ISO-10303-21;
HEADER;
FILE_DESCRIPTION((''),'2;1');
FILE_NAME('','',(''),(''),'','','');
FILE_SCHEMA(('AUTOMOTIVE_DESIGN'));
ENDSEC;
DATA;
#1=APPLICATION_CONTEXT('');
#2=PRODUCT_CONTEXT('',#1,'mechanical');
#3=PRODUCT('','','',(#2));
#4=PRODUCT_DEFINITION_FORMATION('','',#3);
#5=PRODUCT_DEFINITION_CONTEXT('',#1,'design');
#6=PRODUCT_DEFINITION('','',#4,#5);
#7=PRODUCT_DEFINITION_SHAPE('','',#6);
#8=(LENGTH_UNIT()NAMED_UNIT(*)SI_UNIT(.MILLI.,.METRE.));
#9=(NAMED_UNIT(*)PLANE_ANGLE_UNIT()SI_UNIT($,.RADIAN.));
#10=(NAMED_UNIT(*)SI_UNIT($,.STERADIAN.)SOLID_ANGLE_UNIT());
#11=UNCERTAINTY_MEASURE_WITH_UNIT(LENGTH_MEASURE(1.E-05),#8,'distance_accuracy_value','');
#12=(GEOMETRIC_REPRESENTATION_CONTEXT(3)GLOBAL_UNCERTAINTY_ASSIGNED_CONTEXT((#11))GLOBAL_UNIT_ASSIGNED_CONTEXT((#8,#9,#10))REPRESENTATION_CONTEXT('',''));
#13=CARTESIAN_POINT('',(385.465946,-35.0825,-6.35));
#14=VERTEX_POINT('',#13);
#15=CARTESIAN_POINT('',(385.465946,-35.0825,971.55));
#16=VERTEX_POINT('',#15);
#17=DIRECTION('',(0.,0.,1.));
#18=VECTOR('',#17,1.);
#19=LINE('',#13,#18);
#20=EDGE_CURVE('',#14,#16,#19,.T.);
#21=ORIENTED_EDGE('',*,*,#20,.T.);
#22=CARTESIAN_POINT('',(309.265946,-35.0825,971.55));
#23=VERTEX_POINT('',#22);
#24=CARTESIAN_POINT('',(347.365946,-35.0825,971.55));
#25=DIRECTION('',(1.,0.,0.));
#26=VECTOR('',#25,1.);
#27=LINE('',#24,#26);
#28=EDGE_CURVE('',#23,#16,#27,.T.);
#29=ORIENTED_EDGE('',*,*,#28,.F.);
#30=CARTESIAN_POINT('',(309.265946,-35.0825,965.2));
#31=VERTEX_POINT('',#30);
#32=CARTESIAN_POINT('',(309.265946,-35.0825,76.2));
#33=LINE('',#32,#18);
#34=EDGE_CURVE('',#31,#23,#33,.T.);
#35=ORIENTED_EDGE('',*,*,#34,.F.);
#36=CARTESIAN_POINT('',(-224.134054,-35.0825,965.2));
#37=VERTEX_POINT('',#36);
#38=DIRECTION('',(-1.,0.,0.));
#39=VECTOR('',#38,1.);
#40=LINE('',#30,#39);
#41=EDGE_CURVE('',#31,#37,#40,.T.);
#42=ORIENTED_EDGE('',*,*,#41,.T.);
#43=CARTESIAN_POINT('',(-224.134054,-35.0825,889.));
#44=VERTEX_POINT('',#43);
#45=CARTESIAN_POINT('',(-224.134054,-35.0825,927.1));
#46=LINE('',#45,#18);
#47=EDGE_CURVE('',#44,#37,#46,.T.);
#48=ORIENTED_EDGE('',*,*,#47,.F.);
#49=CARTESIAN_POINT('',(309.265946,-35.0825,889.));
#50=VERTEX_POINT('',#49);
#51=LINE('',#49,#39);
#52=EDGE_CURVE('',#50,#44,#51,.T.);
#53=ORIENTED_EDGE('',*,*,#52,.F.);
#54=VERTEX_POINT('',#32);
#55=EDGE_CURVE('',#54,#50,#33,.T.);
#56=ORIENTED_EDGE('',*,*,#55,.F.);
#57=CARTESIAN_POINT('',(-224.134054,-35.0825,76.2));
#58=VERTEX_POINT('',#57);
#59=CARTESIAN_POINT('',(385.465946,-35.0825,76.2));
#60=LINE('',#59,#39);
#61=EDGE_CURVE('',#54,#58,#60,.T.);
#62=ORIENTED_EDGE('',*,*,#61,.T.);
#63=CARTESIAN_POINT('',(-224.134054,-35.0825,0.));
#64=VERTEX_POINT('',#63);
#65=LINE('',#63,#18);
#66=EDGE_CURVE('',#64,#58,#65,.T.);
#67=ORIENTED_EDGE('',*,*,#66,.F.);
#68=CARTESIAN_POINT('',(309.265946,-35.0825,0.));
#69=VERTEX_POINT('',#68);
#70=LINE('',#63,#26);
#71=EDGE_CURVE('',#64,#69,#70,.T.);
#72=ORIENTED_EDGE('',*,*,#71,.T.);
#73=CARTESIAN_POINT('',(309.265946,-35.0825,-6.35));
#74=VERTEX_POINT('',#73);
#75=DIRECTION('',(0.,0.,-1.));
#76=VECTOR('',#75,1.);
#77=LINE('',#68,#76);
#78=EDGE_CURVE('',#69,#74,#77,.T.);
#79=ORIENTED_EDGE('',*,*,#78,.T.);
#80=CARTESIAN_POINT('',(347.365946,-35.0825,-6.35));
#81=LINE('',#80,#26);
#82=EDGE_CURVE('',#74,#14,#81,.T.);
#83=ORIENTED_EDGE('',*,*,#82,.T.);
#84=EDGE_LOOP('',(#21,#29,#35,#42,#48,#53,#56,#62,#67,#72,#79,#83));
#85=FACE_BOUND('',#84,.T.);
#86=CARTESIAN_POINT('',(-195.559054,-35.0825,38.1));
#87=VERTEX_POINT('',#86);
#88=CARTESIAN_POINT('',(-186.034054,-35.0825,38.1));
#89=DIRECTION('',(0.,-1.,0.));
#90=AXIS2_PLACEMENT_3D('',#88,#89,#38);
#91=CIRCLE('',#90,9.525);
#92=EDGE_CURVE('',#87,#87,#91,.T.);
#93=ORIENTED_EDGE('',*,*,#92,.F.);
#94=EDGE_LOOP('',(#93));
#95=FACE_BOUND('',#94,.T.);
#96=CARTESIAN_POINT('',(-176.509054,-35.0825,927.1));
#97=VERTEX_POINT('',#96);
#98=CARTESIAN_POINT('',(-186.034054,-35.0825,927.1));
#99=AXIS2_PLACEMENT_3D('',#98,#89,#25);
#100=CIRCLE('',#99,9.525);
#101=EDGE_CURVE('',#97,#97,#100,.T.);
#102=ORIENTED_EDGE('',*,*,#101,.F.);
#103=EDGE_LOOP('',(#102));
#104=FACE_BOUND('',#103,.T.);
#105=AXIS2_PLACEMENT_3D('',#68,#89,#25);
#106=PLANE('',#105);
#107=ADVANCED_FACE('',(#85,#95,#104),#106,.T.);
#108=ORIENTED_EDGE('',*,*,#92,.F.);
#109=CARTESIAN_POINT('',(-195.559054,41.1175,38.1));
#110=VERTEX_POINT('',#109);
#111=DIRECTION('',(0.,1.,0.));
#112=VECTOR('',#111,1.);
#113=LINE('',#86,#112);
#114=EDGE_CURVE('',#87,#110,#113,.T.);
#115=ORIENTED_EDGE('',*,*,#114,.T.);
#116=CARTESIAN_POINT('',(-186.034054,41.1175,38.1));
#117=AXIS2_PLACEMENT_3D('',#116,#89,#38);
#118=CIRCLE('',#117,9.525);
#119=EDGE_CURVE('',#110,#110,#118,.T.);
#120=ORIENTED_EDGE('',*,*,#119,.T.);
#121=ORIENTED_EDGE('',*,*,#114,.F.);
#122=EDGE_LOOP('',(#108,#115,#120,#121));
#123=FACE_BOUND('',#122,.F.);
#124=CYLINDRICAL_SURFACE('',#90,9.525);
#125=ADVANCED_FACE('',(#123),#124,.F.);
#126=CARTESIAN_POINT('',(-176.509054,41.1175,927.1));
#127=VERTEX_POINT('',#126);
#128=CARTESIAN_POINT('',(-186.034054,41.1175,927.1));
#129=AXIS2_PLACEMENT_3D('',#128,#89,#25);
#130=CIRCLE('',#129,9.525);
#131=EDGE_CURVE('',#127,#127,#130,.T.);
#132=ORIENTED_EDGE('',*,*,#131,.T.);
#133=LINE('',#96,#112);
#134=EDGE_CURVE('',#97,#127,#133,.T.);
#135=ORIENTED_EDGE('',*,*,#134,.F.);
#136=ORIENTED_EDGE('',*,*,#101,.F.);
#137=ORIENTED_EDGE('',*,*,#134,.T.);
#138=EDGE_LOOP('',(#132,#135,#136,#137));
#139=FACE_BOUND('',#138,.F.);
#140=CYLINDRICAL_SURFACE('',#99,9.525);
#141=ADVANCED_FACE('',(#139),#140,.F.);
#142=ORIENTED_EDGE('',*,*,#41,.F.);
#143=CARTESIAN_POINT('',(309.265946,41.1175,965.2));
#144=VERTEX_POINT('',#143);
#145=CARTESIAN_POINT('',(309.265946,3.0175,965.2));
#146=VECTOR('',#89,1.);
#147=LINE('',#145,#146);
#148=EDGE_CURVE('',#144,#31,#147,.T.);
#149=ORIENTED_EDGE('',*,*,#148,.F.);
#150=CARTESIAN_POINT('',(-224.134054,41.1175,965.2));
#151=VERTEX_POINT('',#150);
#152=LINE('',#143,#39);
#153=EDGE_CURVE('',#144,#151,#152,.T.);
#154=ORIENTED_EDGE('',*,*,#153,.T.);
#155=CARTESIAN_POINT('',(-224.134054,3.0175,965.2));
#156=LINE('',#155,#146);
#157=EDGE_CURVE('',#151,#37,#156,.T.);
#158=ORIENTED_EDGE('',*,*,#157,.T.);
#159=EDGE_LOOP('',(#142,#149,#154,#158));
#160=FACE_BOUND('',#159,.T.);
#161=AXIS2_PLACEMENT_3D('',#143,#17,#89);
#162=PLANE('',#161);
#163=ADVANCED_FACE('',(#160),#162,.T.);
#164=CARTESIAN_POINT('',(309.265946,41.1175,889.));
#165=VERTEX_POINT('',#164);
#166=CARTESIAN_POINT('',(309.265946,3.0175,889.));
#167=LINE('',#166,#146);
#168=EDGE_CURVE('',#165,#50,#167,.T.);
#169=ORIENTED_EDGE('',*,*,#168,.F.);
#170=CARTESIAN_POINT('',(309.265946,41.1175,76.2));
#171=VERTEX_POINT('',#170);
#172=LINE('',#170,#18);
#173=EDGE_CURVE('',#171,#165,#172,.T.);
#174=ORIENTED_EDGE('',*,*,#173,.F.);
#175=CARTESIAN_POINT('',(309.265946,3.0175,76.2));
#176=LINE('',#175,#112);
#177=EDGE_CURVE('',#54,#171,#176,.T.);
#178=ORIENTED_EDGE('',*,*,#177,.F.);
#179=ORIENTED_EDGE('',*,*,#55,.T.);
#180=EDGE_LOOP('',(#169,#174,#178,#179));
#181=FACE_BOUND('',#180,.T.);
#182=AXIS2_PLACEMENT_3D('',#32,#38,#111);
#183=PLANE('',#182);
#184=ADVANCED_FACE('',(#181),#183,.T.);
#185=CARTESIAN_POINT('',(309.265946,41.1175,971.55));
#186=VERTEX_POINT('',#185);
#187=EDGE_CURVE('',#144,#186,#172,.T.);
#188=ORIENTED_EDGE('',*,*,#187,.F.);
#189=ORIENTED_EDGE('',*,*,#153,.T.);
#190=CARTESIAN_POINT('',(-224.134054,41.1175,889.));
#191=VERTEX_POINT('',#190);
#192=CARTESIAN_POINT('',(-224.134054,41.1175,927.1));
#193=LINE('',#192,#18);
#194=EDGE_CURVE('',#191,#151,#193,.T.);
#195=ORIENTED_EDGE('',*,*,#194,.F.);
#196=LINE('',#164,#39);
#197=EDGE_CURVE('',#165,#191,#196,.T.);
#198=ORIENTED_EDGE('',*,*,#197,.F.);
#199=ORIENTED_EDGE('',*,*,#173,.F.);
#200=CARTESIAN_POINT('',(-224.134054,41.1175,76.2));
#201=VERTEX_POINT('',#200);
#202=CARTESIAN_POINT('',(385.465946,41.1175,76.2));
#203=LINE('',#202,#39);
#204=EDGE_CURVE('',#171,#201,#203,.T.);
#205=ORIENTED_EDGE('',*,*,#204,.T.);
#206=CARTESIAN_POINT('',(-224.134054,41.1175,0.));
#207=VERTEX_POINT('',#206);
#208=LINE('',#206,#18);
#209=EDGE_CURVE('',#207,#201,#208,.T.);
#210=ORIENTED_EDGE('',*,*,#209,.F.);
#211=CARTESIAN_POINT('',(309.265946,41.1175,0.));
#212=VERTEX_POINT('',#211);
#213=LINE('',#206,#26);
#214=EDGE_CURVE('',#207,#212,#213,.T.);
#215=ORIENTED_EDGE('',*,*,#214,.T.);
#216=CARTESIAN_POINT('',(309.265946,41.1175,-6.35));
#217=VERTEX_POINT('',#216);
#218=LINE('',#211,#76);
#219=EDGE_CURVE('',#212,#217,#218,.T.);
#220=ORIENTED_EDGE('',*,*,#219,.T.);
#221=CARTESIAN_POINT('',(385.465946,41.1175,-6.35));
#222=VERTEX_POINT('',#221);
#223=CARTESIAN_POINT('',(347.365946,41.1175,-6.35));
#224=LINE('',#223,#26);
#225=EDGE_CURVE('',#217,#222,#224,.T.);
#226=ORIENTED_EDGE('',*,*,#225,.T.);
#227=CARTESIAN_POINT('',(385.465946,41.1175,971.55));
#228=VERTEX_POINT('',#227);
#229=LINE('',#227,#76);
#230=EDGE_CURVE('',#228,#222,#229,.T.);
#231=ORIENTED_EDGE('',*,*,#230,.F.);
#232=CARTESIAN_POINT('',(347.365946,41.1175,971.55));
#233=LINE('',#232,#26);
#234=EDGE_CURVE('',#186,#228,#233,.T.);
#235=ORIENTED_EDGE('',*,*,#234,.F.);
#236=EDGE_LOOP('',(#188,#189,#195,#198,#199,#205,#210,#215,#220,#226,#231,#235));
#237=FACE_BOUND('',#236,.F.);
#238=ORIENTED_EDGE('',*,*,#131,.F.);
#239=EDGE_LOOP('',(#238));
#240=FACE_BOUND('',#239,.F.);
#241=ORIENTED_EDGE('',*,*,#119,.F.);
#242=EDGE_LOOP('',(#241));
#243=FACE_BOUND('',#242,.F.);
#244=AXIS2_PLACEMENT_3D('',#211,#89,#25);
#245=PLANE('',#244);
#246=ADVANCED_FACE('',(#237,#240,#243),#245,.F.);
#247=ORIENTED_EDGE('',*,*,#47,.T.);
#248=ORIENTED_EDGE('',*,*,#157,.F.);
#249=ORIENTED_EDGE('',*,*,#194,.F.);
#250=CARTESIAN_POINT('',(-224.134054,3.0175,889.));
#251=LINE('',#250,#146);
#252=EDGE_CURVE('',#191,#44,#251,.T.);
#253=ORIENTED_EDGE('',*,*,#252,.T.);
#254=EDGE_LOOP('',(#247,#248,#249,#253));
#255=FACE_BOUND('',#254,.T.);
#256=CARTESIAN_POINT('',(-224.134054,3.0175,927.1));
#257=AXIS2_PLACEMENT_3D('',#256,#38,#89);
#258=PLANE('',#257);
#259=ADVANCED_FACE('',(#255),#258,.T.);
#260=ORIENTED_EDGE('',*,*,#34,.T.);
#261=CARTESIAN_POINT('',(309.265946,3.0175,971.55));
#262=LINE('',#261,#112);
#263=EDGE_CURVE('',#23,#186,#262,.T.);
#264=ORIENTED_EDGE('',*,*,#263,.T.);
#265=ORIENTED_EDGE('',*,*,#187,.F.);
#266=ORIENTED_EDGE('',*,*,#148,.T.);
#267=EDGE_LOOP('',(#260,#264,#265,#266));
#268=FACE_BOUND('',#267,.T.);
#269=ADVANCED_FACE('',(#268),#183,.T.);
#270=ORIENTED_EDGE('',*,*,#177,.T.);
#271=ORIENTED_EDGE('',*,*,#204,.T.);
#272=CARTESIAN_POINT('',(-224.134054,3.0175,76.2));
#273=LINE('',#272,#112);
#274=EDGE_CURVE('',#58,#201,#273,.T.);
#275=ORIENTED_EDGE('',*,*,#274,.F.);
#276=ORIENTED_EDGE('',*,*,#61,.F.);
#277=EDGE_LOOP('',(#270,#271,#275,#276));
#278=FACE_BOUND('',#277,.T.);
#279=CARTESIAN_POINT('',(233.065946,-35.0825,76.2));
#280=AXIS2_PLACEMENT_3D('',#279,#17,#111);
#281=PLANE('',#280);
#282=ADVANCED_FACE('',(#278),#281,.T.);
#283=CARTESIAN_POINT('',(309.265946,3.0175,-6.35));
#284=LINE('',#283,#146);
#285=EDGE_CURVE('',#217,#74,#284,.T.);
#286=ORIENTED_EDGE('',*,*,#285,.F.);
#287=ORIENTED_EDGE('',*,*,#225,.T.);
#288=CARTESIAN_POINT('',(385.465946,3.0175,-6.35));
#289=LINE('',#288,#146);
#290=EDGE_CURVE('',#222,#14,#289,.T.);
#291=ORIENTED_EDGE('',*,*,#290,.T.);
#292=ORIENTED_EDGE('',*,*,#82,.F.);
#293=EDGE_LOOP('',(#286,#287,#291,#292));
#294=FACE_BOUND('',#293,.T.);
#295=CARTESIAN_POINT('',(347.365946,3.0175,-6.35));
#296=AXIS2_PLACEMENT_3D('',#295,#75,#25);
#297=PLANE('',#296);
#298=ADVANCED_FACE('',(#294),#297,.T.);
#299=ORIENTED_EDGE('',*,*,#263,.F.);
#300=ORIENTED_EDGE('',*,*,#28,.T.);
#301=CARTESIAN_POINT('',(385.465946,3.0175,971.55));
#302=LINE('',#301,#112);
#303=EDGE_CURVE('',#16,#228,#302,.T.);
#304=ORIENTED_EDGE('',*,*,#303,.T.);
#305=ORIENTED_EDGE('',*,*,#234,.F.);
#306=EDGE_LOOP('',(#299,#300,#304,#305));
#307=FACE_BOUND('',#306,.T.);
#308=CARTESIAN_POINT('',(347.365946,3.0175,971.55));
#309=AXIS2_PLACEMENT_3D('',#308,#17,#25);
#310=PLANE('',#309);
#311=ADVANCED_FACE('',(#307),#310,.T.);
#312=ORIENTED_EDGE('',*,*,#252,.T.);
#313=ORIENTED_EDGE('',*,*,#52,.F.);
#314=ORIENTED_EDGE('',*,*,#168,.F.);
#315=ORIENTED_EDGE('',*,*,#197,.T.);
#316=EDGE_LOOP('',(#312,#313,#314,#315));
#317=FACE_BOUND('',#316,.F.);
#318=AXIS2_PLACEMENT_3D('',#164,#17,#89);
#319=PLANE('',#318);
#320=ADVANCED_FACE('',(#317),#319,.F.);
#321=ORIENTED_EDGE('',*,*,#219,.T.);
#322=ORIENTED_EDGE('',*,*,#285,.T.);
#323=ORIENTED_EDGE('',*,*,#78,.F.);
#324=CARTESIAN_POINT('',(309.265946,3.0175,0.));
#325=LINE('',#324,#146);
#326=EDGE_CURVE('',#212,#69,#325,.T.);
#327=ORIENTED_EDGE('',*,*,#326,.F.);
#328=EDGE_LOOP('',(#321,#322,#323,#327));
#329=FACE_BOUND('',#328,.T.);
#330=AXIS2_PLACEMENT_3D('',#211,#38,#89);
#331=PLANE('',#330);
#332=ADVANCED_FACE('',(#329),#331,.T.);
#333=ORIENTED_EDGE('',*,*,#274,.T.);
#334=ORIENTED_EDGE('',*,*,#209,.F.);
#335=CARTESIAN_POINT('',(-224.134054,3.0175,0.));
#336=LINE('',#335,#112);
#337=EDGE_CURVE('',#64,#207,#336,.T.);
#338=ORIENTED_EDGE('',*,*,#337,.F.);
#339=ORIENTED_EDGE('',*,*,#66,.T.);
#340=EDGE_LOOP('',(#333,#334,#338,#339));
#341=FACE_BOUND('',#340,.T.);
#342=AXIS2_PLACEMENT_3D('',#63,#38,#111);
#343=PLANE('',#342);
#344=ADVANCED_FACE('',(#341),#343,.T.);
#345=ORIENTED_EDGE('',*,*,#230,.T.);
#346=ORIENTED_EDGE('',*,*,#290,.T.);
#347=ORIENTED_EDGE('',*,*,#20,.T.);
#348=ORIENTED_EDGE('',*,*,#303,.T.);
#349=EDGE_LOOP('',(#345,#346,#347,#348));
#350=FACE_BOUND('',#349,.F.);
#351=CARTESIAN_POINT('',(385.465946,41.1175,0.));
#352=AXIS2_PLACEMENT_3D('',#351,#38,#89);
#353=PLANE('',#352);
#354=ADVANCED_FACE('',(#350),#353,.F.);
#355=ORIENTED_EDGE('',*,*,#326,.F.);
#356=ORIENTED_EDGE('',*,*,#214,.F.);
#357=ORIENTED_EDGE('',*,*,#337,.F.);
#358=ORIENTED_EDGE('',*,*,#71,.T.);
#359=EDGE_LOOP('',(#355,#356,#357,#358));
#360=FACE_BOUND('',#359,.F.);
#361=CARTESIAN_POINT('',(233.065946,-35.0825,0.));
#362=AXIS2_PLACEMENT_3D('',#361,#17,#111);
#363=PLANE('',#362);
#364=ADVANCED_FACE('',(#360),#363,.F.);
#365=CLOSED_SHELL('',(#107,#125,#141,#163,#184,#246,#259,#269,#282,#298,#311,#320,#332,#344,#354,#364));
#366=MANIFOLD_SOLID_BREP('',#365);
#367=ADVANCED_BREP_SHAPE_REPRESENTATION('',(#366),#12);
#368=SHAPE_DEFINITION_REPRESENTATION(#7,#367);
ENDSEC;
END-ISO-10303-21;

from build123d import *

# Parameters (mm, degrees)
F0_W      = 457.2
F0_H      = 76.2
F1_DEPTH  = 76.2
F2_DEPTH  = 152.4
F3_W      = 76.2
F3_H      = 76.2
F4_DEPTH  = 895.35
F5_W      = 76.2
F5_H      = 76.2
F12_DEPTH = 6.35
F6_W      = 76.2
F6_H      = 76.2
F7_DEPTH  = 533.4
F9_DEPTH  = 76.2
F11_DEPTH = 76.2


with BuildPart() as f1:
    # F0 (on Top) → F1 (new body)
    with BuildSketch(Plane.XY):
        with Locations((4.4659457539, 3.0175000429)):
            Rectangle(F0_W, F0_H)
    extrude(amount=F1_DEPTH)

    # F2 (add): a face of the model
    f2_faces = [f1.faces().sort_by_distance(p)[0] for p in [
        (233.0659457539, 3.0175000429, 38.1),
    ]]
    extrude(f2_faces, amount=F2_DEPTH)

    # F3 (on face) → F4 (join)
    with BuildSketch(Plane.XY.offset(76.2)):
        with Locations((347.3659457539, 3.0175000429)):
            Rectangle(F3_W, F3_H)
    extrude(amount=F4_DEPTH)

    # F5 (on face) → F12 (join)
    with BuildSketch(Plane(origin=(0, 0, 0), x_dir=(1, 0, 0), z_dir=(0, 0, -1))):
        with Locations((347.3659457539, -3.0175000429)):
            Rectangle(F5_W, F5_H)
    extrude(amount=F12_DEPTH)

    # F6 (on face) → F7 (join)
    with BuildSketch(Plane(origin=(309.2659457539, 0, 0), x_dir=(0, -1, 0), z_dir=(-1, 0, 0))):
        with Locations((-3.0175000429, 927.1)):
            Rectangle(F6_W, F6_H)
    extrude(amount=F7_DEPTH)

    # F8 (on face) → F9 (cut)
    with BuildSketch(Plane.XZ.offset(35.0824999571)):
        with BuildLine():
            ThreePointArc((-195.5590542461, 927.1), (-186.0340542461, 917.575), (-176.5090542461, 927.1))
            ThreePointArc((-176.5090542461, 927.1), (-186.0340542461, 936.625), (-195.5590542461, 927.1))
        make_face()
    extrude(amount=-F9_DEPTH, mode=Mode.SUBTRACT)

    # F10 (on face) → F11 (cut)
    with BuildSketch(Plane.XZ.offset(35.0824999571)):
        with BuildLine():
            ThreePointArc((-176.5090542461, 38.1), (-186.0340542461, 47.625), (-195.5590542461, 38.1))
            ThreePointArc((-195.5590542461, 38.1), (-186.0340542461, 28.575), (-176.5090542461, 38.1))
        make_face()
    extrude(amount=-F11_DEPTH, mode=Mode.SUBTRACT)


solid = f1.part
